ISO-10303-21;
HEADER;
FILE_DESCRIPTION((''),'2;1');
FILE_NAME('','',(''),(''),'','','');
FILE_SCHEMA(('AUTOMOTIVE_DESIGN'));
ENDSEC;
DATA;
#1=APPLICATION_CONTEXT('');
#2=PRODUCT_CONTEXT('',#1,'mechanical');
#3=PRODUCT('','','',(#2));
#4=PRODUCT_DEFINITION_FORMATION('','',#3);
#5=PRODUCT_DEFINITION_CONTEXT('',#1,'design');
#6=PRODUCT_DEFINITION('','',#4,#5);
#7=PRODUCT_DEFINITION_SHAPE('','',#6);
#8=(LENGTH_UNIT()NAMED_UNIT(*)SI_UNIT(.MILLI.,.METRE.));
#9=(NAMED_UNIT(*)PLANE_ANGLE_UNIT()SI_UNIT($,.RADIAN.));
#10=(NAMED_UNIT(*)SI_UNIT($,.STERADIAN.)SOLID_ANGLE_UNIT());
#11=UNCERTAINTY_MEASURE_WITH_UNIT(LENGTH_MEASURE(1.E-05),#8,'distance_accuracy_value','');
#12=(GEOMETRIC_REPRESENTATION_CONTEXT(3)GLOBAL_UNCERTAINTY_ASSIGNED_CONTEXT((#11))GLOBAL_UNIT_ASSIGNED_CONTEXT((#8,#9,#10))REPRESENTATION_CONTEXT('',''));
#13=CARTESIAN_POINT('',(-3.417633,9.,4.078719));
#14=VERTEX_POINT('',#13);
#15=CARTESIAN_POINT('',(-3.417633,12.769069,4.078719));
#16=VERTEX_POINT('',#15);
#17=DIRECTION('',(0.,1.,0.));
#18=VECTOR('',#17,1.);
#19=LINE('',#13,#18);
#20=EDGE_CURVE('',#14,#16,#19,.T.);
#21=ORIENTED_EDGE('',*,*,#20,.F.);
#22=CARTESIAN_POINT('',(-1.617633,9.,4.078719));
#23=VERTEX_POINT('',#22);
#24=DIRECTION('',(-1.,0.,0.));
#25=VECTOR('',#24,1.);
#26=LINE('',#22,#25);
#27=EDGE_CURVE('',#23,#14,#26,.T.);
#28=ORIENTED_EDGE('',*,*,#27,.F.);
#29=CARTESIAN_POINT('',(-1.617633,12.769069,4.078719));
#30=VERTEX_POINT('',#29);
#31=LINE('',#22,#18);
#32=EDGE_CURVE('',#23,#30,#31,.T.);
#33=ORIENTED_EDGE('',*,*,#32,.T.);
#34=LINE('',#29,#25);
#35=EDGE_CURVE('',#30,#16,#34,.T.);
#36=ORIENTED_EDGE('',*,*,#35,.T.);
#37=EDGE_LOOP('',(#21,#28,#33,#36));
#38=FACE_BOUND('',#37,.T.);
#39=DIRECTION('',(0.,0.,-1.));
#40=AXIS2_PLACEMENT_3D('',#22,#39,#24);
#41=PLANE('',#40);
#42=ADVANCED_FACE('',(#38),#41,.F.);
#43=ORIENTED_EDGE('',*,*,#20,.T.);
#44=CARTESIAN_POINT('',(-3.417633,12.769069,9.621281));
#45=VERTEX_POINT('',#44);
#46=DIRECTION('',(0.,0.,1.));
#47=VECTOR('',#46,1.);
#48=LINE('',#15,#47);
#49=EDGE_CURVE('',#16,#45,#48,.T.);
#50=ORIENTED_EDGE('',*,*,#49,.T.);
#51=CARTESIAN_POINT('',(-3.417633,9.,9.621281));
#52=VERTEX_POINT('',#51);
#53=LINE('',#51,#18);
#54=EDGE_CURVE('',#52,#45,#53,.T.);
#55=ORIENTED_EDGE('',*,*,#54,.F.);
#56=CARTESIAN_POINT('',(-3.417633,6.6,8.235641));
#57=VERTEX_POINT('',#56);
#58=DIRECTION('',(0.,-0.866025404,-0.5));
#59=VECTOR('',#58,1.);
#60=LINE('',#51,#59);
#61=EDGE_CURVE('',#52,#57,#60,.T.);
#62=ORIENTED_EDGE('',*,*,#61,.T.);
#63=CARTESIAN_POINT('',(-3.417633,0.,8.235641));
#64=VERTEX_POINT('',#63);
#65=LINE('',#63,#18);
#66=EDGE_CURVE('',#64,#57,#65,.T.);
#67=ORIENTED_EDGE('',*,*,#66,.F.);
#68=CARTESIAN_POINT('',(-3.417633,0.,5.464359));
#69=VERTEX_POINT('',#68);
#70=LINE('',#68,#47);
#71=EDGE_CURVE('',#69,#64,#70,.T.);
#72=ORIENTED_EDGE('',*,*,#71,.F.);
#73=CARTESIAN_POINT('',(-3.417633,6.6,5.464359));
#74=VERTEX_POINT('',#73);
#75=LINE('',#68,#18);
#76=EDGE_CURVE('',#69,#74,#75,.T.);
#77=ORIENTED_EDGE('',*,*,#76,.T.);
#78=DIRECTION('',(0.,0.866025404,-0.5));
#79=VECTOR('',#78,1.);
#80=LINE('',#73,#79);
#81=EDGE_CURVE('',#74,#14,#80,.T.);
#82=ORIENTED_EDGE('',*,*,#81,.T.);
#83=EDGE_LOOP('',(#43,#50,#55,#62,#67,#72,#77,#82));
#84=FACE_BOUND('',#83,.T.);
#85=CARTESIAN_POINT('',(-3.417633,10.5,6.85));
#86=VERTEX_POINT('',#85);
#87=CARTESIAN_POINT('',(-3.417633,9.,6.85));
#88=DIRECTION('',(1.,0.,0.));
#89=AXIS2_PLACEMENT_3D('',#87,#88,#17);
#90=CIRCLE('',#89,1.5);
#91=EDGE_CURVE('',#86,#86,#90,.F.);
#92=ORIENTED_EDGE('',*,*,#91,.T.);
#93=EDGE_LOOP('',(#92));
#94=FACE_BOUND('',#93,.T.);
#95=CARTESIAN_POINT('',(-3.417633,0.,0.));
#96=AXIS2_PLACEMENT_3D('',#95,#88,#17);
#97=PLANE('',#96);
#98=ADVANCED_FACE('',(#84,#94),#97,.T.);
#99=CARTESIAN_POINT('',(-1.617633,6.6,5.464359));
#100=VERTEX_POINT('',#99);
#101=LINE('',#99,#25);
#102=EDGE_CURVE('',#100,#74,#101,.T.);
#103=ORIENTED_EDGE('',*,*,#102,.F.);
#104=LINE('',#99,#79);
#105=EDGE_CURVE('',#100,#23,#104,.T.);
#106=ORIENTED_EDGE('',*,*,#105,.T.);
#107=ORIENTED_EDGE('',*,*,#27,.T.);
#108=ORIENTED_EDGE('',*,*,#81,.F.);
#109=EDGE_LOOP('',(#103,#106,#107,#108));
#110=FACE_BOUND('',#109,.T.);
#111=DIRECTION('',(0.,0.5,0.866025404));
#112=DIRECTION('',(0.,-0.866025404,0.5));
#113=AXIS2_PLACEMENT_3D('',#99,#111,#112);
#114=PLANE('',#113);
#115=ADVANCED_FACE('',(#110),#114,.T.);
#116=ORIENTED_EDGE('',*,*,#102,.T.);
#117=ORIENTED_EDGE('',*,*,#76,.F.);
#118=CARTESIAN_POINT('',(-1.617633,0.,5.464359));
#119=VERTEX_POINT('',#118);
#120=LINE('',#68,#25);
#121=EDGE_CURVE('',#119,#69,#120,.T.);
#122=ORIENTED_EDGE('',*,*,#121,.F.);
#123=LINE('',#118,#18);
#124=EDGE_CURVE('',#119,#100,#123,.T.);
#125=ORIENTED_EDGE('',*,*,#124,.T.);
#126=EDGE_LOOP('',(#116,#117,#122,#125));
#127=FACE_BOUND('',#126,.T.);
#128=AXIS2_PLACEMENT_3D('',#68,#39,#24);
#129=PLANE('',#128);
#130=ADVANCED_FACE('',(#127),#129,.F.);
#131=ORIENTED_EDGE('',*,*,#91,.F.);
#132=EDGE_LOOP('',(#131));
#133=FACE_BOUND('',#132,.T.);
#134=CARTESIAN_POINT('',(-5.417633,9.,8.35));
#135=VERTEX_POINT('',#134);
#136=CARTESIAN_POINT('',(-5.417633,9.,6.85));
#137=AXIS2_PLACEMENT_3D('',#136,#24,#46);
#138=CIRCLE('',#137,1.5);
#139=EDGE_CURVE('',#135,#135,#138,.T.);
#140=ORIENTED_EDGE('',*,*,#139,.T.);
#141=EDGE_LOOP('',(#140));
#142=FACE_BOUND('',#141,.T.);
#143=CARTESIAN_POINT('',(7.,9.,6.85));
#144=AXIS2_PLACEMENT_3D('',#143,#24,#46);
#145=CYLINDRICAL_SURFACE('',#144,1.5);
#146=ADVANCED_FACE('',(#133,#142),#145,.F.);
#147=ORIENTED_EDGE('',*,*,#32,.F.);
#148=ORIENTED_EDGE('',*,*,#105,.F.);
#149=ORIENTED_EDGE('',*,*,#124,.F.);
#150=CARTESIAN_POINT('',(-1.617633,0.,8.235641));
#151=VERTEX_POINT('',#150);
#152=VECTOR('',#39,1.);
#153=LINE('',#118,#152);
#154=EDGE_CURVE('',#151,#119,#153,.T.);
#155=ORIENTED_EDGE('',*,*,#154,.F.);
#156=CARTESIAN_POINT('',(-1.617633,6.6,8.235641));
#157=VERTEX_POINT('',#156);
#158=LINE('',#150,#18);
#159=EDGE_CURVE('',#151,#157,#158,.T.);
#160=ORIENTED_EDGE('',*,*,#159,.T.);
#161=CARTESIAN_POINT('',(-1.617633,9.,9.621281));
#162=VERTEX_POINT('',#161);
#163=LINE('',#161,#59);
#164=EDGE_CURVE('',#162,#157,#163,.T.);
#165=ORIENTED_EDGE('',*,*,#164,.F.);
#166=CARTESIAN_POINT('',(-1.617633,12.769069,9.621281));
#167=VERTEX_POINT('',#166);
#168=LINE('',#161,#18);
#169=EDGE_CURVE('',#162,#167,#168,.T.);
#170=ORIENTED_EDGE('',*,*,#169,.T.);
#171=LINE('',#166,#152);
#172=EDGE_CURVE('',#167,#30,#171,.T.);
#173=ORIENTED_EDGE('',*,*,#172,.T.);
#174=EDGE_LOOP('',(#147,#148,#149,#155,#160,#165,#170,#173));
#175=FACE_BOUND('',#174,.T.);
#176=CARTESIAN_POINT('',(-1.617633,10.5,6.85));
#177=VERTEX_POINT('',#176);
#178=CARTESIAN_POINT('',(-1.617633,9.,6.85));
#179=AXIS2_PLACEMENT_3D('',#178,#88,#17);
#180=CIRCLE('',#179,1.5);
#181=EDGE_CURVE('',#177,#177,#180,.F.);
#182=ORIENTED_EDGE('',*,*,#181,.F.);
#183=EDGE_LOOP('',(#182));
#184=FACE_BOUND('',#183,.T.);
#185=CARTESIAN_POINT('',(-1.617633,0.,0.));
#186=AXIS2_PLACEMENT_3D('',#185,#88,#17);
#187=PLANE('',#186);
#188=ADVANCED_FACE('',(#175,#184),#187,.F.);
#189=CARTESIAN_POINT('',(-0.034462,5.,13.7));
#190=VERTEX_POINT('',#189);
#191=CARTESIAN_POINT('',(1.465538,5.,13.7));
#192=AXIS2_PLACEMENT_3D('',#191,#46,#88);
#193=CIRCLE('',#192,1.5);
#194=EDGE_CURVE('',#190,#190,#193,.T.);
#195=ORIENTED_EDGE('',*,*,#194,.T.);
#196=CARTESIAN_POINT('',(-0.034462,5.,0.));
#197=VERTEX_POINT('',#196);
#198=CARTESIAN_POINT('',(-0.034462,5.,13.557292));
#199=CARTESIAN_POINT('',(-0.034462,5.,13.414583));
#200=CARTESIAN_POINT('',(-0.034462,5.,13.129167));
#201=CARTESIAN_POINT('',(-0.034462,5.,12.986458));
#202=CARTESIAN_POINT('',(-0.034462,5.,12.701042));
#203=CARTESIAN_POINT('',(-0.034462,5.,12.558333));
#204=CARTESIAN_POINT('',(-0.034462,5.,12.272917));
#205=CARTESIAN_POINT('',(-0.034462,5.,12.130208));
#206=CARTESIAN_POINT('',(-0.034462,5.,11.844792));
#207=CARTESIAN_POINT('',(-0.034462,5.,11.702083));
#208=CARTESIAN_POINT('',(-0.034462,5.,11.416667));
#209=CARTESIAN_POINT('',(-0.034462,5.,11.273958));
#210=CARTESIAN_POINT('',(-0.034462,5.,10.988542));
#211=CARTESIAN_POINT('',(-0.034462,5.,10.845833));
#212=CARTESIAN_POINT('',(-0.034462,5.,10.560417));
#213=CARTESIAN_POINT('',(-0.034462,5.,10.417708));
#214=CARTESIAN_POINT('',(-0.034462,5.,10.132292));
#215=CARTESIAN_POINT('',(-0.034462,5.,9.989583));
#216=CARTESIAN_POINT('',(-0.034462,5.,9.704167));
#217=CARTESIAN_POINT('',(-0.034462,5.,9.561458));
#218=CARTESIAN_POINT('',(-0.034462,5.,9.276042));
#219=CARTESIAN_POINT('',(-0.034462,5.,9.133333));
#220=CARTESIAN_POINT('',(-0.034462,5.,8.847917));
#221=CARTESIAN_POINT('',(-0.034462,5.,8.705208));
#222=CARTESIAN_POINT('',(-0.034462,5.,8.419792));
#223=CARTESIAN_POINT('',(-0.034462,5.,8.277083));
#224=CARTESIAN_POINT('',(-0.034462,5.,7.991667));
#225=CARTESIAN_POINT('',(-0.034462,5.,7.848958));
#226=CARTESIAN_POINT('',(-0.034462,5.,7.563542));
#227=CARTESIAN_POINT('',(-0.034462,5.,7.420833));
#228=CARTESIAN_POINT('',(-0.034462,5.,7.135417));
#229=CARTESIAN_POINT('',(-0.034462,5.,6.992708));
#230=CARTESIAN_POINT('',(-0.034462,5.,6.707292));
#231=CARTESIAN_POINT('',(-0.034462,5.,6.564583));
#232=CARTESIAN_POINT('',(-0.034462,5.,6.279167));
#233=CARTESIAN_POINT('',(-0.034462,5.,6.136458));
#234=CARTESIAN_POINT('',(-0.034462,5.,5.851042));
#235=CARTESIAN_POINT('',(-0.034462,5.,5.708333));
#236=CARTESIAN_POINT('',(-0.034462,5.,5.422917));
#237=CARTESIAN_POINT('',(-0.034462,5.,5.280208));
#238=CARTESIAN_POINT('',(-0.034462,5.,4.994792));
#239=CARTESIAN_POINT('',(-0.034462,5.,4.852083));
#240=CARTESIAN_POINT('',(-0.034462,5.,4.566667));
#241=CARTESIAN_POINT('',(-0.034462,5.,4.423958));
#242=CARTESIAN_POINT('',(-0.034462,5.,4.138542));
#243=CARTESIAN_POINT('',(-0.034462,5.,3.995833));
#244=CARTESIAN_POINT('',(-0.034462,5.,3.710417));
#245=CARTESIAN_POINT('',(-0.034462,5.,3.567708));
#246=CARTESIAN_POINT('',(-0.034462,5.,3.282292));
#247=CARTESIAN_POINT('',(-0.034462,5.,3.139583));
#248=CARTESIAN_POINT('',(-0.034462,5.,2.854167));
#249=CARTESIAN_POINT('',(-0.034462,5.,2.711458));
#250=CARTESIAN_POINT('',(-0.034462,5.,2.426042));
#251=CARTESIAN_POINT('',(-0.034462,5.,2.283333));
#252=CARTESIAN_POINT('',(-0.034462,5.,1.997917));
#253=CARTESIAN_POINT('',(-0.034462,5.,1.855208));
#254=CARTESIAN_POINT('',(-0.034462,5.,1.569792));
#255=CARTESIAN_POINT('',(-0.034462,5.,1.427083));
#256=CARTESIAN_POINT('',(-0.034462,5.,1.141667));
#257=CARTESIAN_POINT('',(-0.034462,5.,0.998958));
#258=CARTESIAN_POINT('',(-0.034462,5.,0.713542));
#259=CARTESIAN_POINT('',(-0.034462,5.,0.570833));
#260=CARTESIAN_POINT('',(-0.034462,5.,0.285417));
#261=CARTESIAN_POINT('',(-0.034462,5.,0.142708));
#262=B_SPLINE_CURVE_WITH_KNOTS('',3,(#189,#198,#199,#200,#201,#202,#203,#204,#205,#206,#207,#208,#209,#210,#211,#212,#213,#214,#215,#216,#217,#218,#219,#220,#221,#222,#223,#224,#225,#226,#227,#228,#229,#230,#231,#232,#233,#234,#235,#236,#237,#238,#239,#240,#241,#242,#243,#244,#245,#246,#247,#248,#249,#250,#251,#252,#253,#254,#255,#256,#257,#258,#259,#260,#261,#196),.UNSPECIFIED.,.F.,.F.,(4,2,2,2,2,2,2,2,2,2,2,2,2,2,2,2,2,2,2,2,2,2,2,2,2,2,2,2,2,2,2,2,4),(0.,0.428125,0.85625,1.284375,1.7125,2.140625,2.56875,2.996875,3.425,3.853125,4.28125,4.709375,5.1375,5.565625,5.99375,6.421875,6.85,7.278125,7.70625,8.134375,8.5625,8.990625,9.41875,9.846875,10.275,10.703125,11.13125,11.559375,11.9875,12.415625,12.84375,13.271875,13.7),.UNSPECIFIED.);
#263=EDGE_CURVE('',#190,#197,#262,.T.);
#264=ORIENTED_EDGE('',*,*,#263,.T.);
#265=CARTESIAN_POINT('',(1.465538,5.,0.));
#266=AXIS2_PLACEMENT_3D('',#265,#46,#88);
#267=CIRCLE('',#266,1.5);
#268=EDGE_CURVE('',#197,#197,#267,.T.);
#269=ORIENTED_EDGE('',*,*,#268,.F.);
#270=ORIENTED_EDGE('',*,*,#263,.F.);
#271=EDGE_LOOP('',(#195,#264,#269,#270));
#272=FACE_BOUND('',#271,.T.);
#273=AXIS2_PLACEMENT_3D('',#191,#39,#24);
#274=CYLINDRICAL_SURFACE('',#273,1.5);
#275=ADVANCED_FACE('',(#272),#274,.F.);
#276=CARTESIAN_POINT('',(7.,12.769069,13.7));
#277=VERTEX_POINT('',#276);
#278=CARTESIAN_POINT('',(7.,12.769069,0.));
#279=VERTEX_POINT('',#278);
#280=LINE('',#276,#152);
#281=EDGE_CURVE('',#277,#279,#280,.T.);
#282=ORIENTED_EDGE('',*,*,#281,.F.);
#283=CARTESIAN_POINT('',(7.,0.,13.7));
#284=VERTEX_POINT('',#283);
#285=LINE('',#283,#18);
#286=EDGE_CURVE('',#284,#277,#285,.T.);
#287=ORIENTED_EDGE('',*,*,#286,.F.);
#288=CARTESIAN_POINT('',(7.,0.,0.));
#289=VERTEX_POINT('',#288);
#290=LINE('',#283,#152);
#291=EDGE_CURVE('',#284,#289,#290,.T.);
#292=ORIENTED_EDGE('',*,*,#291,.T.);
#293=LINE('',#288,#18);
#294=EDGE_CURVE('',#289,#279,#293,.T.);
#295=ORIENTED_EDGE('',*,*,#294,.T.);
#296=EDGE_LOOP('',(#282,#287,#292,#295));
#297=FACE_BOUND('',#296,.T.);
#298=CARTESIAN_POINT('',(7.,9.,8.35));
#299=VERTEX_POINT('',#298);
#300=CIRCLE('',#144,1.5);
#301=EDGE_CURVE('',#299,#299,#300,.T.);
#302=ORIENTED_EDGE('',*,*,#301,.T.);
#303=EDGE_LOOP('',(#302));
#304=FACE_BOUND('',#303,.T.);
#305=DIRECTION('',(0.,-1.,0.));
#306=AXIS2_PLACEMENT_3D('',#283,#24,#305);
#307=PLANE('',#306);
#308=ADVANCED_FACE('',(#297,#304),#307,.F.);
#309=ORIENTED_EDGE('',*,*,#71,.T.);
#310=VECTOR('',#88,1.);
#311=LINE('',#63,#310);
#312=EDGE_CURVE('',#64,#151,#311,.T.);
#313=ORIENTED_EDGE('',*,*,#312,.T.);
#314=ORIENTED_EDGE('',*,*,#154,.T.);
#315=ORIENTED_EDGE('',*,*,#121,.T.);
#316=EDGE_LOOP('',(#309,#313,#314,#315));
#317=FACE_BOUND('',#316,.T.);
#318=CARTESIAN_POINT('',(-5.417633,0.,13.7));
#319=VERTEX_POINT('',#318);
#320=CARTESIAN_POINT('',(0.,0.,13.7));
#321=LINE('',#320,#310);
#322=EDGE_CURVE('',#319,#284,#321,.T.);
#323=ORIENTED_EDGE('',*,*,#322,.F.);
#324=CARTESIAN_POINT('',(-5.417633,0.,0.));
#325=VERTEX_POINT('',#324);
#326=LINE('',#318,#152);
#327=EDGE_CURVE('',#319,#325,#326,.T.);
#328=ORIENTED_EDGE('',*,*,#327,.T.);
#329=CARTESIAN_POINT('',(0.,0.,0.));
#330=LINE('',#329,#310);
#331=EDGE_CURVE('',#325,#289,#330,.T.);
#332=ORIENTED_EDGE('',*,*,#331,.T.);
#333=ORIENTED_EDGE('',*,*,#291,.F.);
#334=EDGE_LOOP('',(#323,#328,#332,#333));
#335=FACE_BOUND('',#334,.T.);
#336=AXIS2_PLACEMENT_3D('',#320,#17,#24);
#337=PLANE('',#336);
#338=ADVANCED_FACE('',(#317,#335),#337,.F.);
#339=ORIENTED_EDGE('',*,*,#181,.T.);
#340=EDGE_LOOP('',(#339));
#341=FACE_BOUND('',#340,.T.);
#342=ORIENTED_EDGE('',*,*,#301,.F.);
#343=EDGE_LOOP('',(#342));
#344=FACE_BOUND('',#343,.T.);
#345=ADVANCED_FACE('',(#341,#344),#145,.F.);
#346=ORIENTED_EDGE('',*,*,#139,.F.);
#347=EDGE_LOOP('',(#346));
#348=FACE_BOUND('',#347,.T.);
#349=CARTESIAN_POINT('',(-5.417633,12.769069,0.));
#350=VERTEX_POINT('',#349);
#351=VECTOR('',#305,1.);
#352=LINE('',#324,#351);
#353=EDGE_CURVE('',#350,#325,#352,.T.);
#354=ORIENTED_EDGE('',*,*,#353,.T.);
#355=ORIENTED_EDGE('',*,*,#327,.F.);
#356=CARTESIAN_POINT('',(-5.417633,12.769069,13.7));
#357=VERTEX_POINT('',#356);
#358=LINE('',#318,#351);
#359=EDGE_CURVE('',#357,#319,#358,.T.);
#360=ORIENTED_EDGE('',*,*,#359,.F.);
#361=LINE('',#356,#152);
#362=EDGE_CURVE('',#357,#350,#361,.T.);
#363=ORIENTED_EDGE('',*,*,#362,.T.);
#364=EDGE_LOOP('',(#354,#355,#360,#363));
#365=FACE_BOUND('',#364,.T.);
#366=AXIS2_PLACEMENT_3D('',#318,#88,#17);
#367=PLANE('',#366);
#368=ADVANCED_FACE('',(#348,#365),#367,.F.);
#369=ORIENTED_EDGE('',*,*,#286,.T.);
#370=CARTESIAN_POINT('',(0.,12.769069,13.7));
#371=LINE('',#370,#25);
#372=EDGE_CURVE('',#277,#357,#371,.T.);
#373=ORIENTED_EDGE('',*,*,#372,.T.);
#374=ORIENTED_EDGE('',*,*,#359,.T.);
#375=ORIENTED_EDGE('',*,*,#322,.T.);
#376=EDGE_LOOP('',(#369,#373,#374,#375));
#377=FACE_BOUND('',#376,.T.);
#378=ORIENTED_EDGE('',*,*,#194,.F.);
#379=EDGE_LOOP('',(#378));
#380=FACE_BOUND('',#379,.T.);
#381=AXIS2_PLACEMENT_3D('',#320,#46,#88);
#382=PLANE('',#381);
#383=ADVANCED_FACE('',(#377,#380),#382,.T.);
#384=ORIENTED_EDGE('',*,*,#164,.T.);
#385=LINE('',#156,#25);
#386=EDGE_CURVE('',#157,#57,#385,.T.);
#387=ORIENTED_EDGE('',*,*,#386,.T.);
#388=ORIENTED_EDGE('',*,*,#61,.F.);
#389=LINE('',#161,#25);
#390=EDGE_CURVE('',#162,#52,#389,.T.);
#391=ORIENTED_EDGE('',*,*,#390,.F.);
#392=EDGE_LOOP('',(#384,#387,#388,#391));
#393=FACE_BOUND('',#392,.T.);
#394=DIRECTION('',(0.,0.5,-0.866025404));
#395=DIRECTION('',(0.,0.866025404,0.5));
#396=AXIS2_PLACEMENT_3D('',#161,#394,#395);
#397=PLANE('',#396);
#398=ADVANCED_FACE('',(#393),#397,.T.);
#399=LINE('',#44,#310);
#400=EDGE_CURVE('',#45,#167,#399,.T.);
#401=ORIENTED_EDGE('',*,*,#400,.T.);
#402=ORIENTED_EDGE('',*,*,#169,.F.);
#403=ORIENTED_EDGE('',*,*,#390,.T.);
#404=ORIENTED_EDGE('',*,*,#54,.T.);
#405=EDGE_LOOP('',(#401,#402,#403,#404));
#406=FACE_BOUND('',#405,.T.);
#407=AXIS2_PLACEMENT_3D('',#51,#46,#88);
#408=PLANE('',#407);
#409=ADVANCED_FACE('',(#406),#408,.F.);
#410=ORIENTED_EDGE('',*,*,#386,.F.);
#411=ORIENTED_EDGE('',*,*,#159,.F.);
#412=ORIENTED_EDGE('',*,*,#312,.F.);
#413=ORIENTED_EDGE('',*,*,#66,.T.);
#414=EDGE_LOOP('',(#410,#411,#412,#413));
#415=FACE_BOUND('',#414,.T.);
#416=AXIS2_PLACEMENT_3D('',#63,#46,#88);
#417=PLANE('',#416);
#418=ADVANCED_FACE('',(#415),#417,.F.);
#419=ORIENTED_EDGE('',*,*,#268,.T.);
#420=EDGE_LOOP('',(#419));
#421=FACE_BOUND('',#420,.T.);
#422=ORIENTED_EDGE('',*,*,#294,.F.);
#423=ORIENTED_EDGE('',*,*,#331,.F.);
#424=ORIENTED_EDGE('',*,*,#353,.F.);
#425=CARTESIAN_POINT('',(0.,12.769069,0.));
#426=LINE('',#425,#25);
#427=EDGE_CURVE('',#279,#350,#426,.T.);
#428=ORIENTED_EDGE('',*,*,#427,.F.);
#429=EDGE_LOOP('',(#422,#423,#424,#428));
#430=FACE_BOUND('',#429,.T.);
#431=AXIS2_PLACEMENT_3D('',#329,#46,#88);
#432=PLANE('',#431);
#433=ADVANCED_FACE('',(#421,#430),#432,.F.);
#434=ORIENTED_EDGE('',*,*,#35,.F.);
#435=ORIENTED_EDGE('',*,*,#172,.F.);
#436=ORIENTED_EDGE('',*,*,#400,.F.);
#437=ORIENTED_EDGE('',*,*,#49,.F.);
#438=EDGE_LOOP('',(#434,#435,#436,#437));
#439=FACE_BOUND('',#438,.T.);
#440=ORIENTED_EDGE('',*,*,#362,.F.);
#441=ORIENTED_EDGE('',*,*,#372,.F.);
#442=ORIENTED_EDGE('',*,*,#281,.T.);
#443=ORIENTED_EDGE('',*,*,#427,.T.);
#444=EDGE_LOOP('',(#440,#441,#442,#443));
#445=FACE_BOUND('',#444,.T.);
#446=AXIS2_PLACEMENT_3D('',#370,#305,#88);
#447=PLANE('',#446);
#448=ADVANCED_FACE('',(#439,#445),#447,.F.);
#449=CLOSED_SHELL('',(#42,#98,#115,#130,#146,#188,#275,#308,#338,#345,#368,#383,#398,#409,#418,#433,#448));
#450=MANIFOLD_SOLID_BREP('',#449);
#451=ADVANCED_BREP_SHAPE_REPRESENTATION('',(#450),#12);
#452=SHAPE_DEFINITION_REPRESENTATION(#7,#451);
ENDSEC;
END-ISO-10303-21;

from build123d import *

# Parameters (mm, degrees)
SKETCH1_W           = 12.41763252
SKETCH1_H           = 12.769068876
SKETCH1_R           = 1.5
BOSS_EXTRUDE1_DEPTH = 13.7
SKETCH2_R           = 1.5
CUT_EXTRUDE1_DEPTH  = 23.47079699
CUT_EXTRUDE2_DEPTH  = 1.8
SKETCH5_W           = 1.8
SKETCH5_H           = 5.542562584
CUT_EXTRUDE4_DEPTH  = 3.769069
SKETCH6_W           = 1.8
SKETCH6_H           = 2.771281292
CUT_EXTRUDE5_DEPTH  = 17.740669043


with BuildPart() as part:
    # Sketch1 → Boss-Extrude1 (new body)
    # profile 1 of 2: a face of its own
    with BuildSketch(Plane.XY):
        with Locations((0.79118374, 6.384534438)):
            Rectangle(SKETCH1_W, SKETCH1_H)
        with Locations(Location((1.465537563, 5, 0), (0, 0, 180))):
            Circle(SKETCH1_R, mode=Mode.SUBTRACT)
        with Locations((1.465537563, 10)):
            Circle(SKETCH1_R, mode=Mode.SUBTRACT)
    # profile 2 of 2: a face of its own
    with BuildSketch(Plane.XY):
        with Locations((1.465537563, 10)):
            Circle(SKETCH1_R)
    extrude(amount=BOSS_EXTRUDE1_DEPTH)

    # Sketch2 → Cut-Extrude1 (cut, through all)
    with BuildSketch(Plane.ZY.offset(5.41763252)):
        with Locations((6.85, 9)):
            Circle(SKETCH2_R)
    extrude(amount=-CUT_EXTRUDE1_DEPTH, mode=Mode.SUBTRACT)

    # Sketch3 → Cut-Extrude2 (cut)
    with BuildSketch(Plane(origin=(-3.41763252, 0, 0), x_dir=(0, 0, -1), z_dir=(1, 0, 0))):
        Polygon((-5.464359354, 6.6), (-4.078718708, 9), (-5.464359354, 11.4), (-8.235640646, 11.4), (-9.621281292, 9), (-8.235640646, 6.6), align=None)
    extrude(amount=CUT_EXTRUDE2_DEPTH, mode=Mode.SUBTRACT)

    # Sketch5 → Cut-Extrude4 (cut)
    with BuildSketch(Plane(origin=(0, 12.769068876, 0), x_dir=(1, 0, 0), z_dir=(0, 1, 0))):
        with Locations((-2.51763252, -6.85)):
            Rectangle(SKETCH5_W, SKETCH5_H)
    extrude(amount=-CUT_EXTRUDE4_DEPTH, mode=Mode.SUBTRACT)

    # Sketch6 → Cut-Extrude5 (cut, through all)
    with BuildSketch(Plane(origin=(0, 6.6, 0), x_dir=(1, 0, 0), z_dir=(0, 1, 0))):
        with Locations((-2.51763252, -6.85)):
            Rectangle(SKETCH6_W, SKETCH6_H)
    extrude(amount=-CUT_EXTRUDE5_DEPTH, mode=Mode.SUBTRACT)


solid = part.part
